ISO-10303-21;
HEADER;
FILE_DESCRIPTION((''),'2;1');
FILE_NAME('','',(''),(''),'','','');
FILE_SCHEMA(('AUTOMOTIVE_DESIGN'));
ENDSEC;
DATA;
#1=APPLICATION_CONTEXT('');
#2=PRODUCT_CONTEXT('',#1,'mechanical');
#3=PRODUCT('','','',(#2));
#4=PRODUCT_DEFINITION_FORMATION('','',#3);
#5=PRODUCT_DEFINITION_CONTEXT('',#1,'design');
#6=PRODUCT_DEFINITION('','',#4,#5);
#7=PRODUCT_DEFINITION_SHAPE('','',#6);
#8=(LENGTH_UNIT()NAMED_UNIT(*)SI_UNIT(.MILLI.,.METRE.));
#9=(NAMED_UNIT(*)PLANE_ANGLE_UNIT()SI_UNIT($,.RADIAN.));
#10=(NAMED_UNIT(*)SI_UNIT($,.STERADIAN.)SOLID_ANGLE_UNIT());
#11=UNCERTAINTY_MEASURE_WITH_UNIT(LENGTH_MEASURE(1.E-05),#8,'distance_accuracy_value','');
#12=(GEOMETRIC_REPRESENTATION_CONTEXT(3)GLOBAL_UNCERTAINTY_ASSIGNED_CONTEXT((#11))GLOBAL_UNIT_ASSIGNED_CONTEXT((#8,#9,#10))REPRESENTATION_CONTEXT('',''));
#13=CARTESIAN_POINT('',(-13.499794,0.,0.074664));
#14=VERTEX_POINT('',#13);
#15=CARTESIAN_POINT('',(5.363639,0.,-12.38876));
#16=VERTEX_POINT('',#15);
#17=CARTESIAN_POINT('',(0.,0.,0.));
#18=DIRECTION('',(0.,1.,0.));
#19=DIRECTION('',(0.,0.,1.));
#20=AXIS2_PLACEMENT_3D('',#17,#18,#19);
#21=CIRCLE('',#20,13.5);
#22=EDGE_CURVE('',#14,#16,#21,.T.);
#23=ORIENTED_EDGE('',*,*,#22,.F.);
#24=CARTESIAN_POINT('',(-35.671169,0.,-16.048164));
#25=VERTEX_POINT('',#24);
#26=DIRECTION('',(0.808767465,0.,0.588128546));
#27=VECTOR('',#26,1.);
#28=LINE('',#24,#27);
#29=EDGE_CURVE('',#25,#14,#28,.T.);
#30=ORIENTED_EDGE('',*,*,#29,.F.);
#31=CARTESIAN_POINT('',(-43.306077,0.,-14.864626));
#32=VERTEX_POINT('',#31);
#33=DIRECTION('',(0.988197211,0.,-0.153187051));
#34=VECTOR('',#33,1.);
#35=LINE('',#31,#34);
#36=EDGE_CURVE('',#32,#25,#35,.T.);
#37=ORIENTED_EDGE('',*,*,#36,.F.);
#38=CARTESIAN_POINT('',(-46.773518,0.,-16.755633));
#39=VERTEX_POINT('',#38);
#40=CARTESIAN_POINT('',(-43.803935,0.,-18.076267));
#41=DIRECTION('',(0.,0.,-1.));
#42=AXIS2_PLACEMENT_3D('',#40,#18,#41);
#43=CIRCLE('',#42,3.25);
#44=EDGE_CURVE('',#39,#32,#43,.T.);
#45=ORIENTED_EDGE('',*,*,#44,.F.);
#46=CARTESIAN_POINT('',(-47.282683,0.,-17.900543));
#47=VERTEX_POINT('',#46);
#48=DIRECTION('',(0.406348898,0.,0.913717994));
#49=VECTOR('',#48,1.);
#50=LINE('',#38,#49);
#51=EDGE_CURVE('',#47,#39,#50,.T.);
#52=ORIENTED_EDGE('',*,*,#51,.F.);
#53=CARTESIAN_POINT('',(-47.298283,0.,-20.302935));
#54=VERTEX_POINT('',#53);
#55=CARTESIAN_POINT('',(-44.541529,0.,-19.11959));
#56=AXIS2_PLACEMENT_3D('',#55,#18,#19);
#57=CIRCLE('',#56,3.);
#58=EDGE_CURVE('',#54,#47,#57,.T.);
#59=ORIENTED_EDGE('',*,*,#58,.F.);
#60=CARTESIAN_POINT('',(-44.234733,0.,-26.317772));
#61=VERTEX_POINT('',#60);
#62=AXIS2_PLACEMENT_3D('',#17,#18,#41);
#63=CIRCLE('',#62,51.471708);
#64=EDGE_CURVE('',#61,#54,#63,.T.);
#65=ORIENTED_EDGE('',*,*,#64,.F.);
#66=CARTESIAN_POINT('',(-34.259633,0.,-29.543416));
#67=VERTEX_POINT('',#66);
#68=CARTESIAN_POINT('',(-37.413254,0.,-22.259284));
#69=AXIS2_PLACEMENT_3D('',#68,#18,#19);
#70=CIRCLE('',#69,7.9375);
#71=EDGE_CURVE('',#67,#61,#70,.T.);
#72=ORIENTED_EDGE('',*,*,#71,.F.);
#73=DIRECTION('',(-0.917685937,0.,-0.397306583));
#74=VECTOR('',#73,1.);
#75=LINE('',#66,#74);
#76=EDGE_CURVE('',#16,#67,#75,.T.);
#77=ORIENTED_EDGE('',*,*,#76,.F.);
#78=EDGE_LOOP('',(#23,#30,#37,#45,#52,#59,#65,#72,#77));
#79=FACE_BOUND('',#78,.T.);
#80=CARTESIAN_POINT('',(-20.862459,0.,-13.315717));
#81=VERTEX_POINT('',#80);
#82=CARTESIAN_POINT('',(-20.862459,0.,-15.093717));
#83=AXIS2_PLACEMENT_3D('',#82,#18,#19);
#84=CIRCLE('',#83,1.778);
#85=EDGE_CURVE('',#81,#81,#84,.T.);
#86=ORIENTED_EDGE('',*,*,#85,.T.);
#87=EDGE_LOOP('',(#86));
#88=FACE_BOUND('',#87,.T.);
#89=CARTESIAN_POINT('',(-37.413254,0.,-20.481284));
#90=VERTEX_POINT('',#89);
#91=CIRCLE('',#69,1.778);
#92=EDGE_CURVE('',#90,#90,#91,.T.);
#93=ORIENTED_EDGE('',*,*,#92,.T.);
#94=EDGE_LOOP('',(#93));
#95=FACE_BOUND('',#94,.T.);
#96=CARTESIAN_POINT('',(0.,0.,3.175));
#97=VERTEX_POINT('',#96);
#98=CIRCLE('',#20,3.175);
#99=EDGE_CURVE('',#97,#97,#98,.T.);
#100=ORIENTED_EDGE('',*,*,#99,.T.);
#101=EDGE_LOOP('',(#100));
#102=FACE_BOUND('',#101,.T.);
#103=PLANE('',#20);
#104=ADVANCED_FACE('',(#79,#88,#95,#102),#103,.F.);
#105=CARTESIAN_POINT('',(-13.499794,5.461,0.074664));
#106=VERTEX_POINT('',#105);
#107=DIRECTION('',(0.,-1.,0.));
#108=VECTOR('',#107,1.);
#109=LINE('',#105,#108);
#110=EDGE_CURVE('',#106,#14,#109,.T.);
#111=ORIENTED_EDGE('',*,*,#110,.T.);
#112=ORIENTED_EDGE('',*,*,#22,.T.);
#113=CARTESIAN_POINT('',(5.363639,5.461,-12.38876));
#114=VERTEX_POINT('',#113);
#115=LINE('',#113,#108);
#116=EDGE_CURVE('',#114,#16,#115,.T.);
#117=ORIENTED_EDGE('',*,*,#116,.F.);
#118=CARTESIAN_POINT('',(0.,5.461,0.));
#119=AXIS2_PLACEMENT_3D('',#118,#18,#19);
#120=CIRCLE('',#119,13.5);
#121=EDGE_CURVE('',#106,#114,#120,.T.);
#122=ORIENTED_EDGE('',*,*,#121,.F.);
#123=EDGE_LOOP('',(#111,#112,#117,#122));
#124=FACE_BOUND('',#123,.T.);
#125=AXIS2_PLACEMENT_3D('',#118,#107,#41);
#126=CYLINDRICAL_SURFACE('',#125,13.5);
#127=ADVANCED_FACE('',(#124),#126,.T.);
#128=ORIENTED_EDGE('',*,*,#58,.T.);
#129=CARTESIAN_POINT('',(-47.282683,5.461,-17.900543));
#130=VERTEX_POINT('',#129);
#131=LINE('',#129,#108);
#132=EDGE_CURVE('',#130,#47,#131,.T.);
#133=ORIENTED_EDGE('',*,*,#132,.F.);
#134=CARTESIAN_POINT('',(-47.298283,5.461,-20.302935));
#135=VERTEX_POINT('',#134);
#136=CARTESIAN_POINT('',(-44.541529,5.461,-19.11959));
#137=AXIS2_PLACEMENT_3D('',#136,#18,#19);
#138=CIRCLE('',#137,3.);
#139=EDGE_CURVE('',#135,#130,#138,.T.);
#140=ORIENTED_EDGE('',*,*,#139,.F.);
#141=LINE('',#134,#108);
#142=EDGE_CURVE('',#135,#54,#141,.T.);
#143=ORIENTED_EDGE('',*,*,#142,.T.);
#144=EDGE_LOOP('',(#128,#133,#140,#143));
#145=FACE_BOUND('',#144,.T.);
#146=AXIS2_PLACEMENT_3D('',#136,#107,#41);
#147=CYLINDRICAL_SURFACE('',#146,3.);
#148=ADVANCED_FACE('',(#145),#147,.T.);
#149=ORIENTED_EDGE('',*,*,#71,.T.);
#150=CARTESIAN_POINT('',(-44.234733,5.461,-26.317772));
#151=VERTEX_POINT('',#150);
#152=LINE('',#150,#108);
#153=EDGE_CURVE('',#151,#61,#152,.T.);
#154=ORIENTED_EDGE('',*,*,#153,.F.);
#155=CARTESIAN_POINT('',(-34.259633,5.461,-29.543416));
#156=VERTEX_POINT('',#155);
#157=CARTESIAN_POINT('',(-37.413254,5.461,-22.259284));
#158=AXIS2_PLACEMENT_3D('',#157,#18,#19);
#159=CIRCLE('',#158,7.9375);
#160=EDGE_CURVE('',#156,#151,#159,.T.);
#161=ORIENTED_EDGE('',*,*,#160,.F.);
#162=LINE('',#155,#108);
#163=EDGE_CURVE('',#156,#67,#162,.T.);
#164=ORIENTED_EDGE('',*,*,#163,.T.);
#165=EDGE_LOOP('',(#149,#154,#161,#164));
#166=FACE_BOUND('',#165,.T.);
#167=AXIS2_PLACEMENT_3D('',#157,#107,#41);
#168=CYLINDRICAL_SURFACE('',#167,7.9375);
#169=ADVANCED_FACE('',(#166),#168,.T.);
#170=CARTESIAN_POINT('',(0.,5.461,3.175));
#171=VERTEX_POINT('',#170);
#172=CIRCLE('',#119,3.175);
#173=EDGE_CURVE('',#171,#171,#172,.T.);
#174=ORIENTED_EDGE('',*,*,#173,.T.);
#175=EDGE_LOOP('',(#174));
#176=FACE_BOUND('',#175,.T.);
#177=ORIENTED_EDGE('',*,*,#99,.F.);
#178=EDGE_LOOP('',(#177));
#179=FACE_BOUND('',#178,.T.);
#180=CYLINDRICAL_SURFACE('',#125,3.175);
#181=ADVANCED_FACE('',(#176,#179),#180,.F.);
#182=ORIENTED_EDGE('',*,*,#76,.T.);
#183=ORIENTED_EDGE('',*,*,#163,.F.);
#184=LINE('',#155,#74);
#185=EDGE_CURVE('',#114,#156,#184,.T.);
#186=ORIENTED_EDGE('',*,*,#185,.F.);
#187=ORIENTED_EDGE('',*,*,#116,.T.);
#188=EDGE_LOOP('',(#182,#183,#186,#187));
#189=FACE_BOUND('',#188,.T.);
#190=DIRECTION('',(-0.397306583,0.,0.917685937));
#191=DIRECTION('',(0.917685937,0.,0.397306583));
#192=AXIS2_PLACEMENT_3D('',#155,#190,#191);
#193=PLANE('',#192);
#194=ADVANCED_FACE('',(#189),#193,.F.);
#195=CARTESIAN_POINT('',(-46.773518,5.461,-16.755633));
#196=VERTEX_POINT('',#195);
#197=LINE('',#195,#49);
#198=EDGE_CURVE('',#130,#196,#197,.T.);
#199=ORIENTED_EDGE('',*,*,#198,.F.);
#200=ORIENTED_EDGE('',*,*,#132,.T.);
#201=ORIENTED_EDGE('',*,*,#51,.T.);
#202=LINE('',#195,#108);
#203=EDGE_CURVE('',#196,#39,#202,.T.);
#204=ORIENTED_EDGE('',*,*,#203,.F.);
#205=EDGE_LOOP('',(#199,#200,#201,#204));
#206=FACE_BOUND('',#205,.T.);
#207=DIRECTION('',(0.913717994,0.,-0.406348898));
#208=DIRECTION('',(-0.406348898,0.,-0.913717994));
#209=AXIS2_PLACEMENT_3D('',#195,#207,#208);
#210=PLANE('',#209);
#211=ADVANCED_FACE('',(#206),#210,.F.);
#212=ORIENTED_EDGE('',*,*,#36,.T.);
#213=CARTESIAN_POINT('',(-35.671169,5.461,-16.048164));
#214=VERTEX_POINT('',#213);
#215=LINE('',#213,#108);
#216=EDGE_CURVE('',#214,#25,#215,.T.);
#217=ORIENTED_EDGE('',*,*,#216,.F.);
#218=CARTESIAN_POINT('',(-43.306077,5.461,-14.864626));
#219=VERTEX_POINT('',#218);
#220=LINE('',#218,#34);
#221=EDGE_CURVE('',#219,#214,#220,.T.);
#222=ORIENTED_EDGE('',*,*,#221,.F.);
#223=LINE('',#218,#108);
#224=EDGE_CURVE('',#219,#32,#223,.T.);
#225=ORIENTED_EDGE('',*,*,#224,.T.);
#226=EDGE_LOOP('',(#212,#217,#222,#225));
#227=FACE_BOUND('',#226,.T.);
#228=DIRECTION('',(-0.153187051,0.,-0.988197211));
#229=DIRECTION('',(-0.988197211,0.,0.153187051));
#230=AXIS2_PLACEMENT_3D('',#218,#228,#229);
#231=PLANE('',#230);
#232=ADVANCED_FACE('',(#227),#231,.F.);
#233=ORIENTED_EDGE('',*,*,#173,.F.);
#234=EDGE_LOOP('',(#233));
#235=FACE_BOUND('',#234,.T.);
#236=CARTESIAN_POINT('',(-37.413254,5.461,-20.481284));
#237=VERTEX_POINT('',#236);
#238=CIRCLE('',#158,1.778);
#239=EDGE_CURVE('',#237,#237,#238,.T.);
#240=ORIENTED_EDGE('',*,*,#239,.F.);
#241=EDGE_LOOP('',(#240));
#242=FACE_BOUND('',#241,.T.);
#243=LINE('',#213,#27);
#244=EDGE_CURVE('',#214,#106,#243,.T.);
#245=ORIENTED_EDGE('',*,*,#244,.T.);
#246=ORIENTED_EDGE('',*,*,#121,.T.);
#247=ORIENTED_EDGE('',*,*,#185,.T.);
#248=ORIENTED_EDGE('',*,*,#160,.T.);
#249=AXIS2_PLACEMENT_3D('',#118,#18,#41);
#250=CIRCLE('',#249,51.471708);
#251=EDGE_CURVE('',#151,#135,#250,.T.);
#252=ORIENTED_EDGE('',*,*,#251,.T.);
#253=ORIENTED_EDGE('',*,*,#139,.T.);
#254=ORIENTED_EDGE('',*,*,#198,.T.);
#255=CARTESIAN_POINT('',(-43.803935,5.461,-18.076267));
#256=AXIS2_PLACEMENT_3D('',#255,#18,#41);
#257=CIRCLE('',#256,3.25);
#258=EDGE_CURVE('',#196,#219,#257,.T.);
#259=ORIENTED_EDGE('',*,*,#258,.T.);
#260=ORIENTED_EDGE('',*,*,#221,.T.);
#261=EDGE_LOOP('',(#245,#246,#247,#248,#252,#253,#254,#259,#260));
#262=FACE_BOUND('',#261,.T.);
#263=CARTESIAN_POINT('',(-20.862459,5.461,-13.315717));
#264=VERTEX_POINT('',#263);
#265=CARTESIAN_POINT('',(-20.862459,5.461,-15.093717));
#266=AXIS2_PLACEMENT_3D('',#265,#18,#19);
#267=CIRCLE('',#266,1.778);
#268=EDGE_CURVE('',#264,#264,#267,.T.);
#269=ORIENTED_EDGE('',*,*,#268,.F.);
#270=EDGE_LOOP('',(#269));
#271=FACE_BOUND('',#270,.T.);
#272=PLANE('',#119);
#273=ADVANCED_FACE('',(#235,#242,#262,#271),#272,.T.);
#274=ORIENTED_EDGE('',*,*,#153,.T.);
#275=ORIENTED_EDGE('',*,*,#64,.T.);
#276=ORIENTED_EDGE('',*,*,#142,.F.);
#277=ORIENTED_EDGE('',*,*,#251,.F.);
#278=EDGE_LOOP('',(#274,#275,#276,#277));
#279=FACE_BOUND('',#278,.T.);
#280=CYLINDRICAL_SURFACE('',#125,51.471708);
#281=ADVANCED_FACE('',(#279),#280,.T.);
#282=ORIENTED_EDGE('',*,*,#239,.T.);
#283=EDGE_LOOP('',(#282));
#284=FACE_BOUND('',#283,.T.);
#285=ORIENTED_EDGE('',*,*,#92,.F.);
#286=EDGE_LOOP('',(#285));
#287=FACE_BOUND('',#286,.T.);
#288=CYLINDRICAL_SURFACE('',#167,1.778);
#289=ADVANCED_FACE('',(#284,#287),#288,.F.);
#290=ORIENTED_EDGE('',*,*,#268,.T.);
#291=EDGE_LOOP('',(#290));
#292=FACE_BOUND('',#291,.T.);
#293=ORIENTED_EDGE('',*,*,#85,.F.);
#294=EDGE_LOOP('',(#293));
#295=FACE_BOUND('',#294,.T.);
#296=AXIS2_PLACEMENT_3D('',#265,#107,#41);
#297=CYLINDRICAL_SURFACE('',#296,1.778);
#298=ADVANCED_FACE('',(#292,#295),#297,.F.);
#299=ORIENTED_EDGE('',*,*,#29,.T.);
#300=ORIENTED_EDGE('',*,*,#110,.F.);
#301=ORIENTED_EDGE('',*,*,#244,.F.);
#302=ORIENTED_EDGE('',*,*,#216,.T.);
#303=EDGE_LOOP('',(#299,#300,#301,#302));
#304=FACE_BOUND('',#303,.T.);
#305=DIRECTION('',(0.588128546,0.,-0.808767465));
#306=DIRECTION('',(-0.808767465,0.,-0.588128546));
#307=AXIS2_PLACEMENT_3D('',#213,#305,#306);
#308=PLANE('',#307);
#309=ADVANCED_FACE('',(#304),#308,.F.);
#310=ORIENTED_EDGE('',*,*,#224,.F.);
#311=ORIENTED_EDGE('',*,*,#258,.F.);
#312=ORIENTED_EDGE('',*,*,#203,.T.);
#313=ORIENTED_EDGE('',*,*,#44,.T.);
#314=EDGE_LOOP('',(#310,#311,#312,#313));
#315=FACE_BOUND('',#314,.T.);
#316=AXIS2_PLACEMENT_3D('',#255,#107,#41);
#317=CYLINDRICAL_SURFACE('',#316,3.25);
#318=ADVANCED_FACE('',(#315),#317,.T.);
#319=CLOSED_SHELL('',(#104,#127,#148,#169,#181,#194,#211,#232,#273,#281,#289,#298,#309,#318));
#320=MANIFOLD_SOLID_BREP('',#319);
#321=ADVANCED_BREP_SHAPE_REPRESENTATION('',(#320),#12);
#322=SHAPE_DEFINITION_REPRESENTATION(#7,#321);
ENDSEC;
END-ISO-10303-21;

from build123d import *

# Parameters (mm, degrees)
SKETCH1_R           = 1.778
SKETCH1_R_2         = 3.175
BOSS_EXTRUDE1_DEPTH = 5.461


with BuildPart() as part:
    # Sketch1 → Boss-Extrude1 (new body)
    with BuildSketch(Plane(origin=(0, 0, 0), x_dir=(1, 0, 0), z_dir=(0, 1, 0))):
        with BuildLine():
            Line((-35.671169379, 16.048164087), (-13.499793526, -0.074664302))
            ThreePointArc((-13.499793526, -0.074664302), (7.44200849, -11.263503435), (5.363638877, 12.388760148))
            Line((5.363638877, 12.388760148), (-34.259632886, 29.543416329))
            ThreePointArc((-34.259632886, 29.543416329), (-39.855484626, 29.811728531), (-44.234733225, 26.317772344))
            ThreePointArc((-44.234733225, 26.317772344), (-45.865213893, 23.360627542), (-47.298283286, 20.302934833))
            ThreePointArc((-47.298283286, 20.302934833), (-47.541465806, 19.100109045), (-47.282683039, 17.900542834))
            Line((-47.282683039, 17.900542834), (-46.773518475, 16.755633062))
            ThreePointArc((-46.773518475, 16.755633062), (-45.359998522, 15.22299407), (-43.306077078, 14.864626044))
            Line((-43.306077078, 14.864626044), (-35.671169379, 16.048164087))
        make_face()
        with Locations((-20.862458922, 15.093717491)):
            Circle(SKETCH1_R, mode=Mode.SUBTRACT)
        Circle(SKETCH1_R_2, mode=Mode.SUBTRACT)
        with Locations((-37.413253893, 22.259284205)):
            Circle(SKETCH1_R, mode=Mode.SUBTRACT)
    extrude(amount=BOSS_EXTRUDE1_DEPTH)


solid = part.part
